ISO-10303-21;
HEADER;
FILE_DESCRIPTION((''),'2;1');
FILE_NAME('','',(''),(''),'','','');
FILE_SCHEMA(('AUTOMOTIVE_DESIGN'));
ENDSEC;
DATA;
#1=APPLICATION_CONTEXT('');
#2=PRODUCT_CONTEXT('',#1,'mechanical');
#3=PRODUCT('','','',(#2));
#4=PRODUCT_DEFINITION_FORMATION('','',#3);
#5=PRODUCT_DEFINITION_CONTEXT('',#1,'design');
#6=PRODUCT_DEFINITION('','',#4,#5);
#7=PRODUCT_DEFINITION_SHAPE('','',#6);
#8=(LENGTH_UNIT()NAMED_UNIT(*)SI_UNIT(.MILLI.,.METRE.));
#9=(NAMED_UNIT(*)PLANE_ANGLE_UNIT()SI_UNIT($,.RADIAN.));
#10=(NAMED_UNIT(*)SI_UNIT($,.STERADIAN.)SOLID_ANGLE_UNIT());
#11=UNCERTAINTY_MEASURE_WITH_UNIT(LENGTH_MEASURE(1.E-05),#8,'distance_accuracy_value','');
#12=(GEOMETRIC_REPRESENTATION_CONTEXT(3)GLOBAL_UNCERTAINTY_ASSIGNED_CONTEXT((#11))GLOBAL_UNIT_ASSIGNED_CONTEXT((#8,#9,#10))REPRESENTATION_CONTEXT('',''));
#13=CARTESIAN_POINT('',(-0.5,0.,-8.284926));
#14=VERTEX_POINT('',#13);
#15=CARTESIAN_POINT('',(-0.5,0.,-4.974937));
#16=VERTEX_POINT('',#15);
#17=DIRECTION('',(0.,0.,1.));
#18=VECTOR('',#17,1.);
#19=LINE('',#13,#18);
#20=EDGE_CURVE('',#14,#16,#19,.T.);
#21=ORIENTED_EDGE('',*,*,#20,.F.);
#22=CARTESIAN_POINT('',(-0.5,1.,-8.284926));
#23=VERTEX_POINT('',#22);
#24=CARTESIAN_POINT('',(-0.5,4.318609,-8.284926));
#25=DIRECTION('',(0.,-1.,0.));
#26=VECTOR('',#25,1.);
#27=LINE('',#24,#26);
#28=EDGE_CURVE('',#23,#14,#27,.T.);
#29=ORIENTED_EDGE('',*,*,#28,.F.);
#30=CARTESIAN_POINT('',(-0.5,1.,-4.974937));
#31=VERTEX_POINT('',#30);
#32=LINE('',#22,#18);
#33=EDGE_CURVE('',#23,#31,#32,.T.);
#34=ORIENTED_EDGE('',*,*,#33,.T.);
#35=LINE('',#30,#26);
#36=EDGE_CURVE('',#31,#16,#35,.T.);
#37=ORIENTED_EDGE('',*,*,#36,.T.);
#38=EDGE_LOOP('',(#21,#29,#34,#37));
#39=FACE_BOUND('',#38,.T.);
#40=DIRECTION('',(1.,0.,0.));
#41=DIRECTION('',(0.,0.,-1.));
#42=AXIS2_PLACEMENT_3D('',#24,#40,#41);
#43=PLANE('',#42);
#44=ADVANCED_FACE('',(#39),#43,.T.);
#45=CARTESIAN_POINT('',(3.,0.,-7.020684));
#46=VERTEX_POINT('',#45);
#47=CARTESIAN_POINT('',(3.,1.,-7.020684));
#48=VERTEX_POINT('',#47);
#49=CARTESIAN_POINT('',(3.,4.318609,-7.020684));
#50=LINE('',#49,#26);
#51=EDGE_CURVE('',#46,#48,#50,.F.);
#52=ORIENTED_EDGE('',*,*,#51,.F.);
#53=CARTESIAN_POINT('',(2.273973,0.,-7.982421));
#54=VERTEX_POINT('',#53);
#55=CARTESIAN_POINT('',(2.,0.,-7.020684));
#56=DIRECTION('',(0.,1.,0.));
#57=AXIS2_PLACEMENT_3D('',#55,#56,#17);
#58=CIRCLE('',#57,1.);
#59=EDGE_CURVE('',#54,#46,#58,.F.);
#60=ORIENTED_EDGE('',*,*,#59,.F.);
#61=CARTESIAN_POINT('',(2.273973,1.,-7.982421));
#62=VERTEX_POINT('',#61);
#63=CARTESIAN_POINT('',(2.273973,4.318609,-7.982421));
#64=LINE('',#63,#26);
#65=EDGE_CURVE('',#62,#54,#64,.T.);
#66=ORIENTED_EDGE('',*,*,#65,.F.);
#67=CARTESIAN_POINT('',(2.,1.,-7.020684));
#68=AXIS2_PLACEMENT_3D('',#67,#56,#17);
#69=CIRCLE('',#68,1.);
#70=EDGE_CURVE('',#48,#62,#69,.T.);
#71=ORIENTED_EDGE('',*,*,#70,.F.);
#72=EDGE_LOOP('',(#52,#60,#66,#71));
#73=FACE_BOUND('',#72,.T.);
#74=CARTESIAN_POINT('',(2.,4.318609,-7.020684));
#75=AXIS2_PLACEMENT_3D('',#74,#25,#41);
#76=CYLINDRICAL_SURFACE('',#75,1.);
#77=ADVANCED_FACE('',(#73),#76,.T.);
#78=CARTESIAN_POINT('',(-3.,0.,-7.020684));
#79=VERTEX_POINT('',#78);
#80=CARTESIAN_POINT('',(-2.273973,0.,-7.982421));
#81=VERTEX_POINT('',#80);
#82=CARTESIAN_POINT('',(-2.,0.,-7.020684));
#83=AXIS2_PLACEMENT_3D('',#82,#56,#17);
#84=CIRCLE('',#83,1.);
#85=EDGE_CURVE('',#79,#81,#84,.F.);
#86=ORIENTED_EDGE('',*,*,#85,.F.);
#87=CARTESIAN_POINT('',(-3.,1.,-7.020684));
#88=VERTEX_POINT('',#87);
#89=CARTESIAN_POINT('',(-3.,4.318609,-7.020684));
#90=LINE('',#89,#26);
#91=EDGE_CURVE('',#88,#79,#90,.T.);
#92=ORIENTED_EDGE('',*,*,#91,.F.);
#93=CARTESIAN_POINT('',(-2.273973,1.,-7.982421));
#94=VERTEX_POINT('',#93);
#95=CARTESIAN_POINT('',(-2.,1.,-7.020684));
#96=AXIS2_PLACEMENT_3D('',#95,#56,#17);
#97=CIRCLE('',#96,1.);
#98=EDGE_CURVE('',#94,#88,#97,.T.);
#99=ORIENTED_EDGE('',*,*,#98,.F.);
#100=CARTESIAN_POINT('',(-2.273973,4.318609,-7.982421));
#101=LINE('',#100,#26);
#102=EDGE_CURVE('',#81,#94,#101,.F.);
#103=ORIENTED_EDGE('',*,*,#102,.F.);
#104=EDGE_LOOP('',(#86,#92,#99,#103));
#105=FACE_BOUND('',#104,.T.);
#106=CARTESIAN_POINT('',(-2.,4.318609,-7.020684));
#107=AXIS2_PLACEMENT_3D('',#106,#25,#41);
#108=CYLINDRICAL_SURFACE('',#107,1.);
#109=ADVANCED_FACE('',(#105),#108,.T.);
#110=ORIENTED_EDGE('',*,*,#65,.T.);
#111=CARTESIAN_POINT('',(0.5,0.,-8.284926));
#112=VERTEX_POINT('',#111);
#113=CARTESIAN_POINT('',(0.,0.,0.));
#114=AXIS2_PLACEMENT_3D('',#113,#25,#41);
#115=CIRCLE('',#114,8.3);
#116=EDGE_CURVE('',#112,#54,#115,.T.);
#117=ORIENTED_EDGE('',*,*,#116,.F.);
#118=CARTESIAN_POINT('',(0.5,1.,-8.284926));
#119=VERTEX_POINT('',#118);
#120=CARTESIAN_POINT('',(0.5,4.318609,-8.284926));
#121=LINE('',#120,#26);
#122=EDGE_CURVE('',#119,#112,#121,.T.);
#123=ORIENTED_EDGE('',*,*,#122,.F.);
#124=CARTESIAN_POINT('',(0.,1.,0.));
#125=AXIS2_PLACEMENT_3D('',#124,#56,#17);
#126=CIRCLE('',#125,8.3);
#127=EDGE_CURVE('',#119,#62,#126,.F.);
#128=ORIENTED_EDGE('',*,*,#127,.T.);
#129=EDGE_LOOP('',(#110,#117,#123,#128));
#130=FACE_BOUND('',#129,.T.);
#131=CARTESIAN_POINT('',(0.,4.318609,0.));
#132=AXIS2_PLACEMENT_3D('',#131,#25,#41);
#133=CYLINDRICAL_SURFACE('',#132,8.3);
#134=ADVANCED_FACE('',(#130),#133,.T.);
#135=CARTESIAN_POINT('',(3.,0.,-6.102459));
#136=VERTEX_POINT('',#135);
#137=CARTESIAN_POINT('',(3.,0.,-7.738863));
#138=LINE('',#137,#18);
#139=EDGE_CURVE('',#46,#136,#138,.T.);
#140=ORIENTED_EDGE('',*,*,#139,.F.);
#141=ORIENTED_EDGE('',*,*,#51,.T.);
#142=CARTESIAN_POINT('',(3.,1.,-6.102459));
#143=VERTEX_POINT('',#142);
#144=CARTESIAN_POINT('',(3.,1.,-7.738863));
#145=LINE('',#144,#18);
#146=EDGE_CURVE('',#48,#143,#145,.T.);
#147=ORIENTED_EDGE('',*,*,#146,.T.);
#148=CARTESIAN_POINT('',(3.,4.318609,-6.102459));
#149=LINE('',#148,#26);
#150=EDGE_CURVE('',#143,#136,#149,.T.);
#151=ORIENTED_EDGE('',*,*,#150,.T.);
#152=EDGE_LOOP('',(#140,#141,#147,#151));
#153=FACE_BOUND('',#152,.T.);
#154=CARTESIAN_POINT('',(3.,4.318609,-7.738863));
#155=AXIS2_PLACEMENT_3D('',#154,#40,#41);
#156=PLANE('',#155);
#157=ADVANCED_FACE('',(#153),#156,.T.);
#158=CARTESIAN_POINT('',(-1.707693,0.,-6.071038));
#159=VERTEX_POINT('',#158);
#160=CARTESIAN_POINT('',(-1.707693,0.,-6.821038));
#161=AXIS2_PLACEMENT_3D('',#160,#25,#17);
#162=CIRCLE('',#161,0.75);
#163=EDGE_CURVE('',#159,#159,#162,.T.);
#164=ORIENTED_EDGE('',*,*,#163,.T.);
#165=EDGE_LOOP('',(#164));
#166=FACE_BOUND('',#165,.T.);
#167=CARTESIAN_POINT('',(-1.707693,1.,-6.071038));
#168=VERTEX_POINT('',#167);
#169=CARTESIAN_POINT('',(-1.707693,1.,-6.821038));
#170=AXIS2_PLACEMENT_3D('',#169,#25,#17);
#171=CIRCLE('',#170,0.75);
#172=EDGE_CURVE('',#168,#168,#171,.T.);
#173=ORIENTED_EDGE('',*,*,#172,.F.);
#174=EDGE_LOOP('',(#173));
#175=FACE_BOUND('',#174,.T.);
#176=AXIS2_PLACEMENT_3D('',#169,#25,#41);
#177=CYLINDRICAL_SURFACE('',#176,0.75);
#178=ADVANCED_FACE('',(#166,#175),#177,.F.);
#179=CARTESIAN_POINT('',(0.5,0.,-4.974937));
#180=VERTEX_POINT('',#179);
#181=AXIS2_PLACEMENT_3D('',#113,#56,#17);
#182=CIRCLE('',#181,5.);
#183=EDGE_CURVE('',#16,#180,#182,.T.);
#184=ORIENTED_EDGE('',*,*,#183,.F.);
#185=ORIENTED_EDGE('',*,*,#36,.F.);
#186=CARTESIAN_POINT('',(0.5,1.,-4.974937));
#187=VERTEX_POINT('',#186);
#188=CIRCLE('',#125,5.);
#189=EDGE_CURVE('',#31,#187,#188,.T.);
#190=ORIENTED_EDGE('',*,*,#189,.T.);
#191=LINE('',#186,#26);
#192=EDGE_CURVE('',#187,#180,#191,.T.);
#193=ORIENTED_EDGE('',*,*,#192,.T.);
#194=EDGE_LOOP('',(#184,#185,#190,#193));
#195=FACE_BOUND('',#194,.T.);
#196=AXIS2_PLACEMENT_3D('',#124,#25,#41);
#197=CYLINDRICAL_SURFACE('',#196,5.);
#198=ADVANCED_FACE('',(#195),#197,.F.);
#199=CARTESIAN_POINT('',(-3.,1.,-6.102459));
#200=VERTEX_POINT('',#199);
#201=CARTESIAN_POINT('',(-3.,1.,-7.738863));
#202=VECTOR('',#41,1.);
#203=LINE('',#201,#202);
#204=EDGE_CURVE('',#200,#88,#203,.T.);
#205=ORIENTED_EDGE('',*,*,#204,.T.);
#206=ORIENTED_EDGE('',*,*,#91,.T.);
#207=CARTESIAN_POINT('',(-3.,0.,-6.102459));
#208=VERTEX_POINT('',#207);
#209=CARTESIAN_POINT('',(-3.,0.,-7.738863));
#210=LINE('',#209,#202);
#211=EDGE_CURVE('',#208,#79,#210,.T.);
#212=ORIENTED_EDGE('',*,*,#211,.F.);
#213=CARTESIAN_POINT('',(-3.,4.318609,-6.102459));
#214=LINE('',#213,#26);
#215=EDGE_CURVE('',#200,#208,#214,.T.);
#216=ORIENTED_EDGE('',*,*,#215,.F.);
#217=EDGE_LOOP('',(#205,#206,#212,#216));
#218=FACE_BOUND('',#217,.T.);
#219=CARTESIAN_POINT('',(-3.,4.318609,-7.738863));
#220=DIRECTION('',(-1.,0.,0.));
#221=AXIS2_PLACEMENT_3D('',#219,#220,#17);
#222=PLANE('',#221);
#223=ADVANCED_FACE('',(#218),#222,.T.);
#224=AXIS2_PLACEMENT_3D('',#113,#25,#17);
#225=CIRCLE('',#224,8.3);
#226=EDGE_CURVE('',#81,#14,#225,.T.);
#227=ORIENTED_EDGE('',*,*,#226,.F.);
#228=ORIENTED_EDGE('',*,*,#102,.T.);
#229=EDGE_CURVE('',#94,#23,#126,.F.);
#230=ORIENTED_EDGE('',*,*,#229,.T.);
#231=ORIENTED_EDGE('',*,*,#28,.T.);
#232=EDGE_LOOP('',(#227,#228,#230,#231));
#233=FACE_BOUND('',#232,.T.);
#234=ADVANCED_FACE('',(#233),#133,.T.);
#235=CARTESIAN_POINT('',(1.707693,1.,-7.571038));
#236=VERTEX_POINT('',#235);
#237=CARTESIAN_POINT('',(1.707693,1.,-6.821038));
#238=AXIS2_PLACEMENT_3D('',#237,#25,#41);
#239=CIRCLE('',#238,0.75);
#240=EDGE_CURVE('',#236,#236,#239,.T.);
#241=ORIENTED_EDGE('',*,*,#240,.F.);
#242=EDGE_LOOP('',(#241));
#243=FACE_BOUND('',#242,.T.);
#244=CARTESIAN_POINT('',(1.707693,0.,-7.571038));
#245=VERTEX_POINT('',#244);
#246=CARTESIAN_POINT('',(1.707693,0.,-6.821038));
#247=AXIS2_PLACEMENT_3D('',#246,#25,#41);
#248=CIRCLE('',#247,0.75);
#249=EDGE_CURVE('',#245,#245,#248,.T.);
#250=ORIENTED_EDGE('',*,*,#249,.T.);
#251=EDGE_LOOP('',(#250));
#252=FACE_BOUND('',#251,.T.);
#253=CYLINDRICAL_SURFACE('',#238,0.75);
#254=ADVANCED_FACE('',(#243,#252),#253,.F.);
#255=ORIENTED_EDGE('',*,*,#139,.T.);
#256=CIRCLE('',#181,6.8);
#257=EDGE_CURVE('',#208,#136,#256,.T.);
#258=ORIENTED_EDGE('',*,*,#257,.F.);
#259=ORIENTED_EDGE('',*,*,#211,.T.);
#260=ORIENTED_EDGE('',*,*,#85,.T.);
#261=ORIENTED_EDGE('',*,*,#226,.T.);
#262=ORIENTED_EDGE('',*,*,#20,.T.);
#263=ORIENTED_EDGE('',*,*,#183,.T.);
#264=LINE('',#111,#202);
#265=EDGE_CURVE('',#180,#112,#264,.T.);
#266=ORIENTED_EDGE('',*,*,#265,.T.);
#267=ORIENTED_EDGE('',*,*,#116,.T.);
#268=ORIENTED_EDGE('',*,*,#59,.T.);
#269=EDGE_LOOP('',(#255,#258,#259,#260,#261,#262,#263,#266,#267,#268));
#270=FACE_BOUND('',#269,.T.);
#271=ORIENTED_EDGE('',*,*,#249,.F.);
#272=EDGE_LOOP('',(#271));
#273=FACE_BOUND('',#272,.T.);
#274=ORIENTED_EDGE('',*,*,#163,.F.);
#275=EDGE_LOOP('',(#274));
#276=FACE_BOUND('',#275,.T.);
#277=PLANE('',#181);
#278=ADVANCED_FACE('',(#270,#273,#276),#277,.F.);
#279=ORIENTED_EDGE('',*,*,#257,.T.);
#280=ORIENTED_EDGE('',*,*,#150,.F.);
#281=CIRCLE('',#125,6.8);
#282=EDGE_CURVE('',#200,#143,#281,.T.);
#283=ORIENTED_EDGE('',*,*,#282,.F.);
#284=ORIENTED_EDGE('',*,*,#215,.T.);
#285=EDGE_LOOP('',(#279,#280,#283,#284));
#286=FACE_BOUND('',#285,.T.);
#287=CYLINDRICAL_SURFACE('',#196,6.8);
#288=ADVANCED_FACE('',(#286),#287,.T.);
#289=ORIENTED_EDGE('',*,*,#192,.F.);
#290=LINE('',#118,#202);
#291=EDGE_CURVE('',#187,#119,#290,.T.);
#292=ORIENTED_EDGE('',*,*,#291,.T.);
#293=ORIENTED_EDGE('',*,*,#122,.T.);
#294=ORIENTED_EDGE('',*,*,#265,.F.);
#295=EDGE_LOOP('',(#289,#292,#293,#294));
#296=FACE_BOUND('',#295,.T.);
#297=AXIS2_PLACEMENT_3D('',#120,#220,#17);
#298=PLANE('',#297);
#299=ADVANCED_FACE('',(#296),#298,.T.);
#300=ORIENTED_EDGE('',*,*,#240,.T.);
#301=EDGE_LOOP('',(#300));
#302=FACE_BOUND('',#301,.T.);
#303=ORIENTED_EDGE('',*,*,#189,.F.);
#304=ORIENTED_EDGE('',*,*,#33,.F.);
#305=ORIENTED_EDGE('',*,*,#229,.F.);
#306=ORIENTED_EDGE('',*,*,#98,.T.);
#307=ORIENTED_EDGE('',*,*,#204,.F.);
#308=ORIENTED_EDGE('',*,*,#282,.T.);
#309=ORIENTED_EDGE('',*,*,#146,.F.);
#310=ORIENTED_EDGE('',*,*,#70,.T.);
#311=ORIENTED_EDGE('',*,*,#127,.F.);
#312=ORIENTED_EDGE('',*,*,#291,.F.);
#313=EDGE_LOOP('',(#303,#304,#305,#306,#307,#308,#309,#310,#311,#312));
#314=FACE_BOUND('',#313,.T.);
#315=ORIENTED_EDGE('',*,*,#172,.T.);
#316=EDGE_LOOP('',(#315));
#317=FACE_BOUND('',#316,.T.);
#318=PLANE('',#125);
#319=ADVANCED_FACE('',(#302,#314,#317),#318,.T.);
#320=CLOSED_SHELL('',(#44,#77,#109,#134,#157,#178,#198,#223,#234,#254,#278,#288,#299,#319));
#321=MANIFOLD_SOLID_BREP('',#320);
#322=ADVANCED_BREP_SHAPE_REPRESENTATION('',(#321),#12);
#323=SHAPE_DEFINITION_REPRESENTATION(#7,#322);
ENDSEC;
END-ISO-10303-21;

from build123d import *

# Parameters (mm, degrees)
SKETCH1_R           = 6.8
SKETCH1_R_2         = 5
BOSS_EXTRUDE1_DEPTH = 1
BOSS_EXTRUDE2_DEPTH = 1
FILLET1_R           = 1
SKETCH3_W           = 1
SKETCH3_H           = 3.309988885
CUT_EXTRUDE1_DEPTH  = 11.764757313
SKETCH4_R           = 0.75
CUT_EXTRUDE2_DEPTH  = 11.764757313


with BuildPart() as part:
    # Sketch1 → Boss-Extrude1 (new body)
    with BuildSketch(Plane(origin=(0, 0, 0), x_dir=(1, 0, 0), z_dir=(0, 1, 0))):
        with Locations(Location((0, 0, 0), (0, 0, 270))):
            Circle(SKETCH1_R)
        with Locations(Location((0, 0, 0), (0, 0, 270))):
            Circle(SKETCH1_R_2, mode=Mode.SUBTRACT)
    extrude(amount=BOSS_EXTRUDE1_DEPTH)

    # Sketch2 → Boss-Extrude2 (add)
    with BuildSketch(Plane.XZ):
        with BuildLine():
            Line((3, -7.738862966), (3, -6.102458521))
            ThreePointArc((3, -6.102458521), (1.782640126, -6.562179073), (0.5, -6.781592733))
            Line((0.5, -6.781592733), (0.5, -8.284926071))
            ThreePointArc((0.5, -8.284926071), (1.771170864, -8.108819505), (3, -7.738862966))
        make_face()
        with BuildLine():
            Line((-0.5, -8.284926071), (-0.5, -6.781592733))
            ThreePointArc((-0.5, -6.781592733), (-1.782640126, -6.562179073), (-3, -6.102458521))
            Line((-3, -6.102458521), (-3, -7.738862966))
            ThreePointArc((-3, -7.738862966), (-1.771170864, -8.108819505), (-0.5, -8.284926071))
        make_face()
    extrude(amount=-BOSS_EXTRUDE2_DEPTH)

    # Fillet1
    fillet1_edges = [part.edges().sort_by_distance(p)[0] for p in [
        (3, 0.5, -7.738862966),
        (-3, 0.5, -7.738862966),
    ]]
    fillet(fillet1_edges, radius=FILLET1_R)

    # Sketch3 → Cut-Extrude1 (cut, through all)
    with BuildSketch(Plane.XZ):
        with Locations((0, -6.629931629)):
            Rectangle(SKETCH3_W, SKETCH3_H)
    extrude(amount=-CUT_EXTRUDE1_DEPTH, mode=Mode.SUBTRACT)

    # Sketch4 → Cut-Extrude2 (cut, through all)
    with BuildSketch(Plane.XZ):
        with Locations(Location((1.707693317, -6.821038057, 0), (0, 0, 270))):
            Circle(SKETCH4_R)
        with Locations(Location((-1.707693317, -6.821038057, 0), (0, 0, 90))):
            Circle(SKETCH4_R)
    extrude(amount=-CUT_EXTRUDE2_DEPTH, mode=Mode.SUBTRACT)


solid = part.part
